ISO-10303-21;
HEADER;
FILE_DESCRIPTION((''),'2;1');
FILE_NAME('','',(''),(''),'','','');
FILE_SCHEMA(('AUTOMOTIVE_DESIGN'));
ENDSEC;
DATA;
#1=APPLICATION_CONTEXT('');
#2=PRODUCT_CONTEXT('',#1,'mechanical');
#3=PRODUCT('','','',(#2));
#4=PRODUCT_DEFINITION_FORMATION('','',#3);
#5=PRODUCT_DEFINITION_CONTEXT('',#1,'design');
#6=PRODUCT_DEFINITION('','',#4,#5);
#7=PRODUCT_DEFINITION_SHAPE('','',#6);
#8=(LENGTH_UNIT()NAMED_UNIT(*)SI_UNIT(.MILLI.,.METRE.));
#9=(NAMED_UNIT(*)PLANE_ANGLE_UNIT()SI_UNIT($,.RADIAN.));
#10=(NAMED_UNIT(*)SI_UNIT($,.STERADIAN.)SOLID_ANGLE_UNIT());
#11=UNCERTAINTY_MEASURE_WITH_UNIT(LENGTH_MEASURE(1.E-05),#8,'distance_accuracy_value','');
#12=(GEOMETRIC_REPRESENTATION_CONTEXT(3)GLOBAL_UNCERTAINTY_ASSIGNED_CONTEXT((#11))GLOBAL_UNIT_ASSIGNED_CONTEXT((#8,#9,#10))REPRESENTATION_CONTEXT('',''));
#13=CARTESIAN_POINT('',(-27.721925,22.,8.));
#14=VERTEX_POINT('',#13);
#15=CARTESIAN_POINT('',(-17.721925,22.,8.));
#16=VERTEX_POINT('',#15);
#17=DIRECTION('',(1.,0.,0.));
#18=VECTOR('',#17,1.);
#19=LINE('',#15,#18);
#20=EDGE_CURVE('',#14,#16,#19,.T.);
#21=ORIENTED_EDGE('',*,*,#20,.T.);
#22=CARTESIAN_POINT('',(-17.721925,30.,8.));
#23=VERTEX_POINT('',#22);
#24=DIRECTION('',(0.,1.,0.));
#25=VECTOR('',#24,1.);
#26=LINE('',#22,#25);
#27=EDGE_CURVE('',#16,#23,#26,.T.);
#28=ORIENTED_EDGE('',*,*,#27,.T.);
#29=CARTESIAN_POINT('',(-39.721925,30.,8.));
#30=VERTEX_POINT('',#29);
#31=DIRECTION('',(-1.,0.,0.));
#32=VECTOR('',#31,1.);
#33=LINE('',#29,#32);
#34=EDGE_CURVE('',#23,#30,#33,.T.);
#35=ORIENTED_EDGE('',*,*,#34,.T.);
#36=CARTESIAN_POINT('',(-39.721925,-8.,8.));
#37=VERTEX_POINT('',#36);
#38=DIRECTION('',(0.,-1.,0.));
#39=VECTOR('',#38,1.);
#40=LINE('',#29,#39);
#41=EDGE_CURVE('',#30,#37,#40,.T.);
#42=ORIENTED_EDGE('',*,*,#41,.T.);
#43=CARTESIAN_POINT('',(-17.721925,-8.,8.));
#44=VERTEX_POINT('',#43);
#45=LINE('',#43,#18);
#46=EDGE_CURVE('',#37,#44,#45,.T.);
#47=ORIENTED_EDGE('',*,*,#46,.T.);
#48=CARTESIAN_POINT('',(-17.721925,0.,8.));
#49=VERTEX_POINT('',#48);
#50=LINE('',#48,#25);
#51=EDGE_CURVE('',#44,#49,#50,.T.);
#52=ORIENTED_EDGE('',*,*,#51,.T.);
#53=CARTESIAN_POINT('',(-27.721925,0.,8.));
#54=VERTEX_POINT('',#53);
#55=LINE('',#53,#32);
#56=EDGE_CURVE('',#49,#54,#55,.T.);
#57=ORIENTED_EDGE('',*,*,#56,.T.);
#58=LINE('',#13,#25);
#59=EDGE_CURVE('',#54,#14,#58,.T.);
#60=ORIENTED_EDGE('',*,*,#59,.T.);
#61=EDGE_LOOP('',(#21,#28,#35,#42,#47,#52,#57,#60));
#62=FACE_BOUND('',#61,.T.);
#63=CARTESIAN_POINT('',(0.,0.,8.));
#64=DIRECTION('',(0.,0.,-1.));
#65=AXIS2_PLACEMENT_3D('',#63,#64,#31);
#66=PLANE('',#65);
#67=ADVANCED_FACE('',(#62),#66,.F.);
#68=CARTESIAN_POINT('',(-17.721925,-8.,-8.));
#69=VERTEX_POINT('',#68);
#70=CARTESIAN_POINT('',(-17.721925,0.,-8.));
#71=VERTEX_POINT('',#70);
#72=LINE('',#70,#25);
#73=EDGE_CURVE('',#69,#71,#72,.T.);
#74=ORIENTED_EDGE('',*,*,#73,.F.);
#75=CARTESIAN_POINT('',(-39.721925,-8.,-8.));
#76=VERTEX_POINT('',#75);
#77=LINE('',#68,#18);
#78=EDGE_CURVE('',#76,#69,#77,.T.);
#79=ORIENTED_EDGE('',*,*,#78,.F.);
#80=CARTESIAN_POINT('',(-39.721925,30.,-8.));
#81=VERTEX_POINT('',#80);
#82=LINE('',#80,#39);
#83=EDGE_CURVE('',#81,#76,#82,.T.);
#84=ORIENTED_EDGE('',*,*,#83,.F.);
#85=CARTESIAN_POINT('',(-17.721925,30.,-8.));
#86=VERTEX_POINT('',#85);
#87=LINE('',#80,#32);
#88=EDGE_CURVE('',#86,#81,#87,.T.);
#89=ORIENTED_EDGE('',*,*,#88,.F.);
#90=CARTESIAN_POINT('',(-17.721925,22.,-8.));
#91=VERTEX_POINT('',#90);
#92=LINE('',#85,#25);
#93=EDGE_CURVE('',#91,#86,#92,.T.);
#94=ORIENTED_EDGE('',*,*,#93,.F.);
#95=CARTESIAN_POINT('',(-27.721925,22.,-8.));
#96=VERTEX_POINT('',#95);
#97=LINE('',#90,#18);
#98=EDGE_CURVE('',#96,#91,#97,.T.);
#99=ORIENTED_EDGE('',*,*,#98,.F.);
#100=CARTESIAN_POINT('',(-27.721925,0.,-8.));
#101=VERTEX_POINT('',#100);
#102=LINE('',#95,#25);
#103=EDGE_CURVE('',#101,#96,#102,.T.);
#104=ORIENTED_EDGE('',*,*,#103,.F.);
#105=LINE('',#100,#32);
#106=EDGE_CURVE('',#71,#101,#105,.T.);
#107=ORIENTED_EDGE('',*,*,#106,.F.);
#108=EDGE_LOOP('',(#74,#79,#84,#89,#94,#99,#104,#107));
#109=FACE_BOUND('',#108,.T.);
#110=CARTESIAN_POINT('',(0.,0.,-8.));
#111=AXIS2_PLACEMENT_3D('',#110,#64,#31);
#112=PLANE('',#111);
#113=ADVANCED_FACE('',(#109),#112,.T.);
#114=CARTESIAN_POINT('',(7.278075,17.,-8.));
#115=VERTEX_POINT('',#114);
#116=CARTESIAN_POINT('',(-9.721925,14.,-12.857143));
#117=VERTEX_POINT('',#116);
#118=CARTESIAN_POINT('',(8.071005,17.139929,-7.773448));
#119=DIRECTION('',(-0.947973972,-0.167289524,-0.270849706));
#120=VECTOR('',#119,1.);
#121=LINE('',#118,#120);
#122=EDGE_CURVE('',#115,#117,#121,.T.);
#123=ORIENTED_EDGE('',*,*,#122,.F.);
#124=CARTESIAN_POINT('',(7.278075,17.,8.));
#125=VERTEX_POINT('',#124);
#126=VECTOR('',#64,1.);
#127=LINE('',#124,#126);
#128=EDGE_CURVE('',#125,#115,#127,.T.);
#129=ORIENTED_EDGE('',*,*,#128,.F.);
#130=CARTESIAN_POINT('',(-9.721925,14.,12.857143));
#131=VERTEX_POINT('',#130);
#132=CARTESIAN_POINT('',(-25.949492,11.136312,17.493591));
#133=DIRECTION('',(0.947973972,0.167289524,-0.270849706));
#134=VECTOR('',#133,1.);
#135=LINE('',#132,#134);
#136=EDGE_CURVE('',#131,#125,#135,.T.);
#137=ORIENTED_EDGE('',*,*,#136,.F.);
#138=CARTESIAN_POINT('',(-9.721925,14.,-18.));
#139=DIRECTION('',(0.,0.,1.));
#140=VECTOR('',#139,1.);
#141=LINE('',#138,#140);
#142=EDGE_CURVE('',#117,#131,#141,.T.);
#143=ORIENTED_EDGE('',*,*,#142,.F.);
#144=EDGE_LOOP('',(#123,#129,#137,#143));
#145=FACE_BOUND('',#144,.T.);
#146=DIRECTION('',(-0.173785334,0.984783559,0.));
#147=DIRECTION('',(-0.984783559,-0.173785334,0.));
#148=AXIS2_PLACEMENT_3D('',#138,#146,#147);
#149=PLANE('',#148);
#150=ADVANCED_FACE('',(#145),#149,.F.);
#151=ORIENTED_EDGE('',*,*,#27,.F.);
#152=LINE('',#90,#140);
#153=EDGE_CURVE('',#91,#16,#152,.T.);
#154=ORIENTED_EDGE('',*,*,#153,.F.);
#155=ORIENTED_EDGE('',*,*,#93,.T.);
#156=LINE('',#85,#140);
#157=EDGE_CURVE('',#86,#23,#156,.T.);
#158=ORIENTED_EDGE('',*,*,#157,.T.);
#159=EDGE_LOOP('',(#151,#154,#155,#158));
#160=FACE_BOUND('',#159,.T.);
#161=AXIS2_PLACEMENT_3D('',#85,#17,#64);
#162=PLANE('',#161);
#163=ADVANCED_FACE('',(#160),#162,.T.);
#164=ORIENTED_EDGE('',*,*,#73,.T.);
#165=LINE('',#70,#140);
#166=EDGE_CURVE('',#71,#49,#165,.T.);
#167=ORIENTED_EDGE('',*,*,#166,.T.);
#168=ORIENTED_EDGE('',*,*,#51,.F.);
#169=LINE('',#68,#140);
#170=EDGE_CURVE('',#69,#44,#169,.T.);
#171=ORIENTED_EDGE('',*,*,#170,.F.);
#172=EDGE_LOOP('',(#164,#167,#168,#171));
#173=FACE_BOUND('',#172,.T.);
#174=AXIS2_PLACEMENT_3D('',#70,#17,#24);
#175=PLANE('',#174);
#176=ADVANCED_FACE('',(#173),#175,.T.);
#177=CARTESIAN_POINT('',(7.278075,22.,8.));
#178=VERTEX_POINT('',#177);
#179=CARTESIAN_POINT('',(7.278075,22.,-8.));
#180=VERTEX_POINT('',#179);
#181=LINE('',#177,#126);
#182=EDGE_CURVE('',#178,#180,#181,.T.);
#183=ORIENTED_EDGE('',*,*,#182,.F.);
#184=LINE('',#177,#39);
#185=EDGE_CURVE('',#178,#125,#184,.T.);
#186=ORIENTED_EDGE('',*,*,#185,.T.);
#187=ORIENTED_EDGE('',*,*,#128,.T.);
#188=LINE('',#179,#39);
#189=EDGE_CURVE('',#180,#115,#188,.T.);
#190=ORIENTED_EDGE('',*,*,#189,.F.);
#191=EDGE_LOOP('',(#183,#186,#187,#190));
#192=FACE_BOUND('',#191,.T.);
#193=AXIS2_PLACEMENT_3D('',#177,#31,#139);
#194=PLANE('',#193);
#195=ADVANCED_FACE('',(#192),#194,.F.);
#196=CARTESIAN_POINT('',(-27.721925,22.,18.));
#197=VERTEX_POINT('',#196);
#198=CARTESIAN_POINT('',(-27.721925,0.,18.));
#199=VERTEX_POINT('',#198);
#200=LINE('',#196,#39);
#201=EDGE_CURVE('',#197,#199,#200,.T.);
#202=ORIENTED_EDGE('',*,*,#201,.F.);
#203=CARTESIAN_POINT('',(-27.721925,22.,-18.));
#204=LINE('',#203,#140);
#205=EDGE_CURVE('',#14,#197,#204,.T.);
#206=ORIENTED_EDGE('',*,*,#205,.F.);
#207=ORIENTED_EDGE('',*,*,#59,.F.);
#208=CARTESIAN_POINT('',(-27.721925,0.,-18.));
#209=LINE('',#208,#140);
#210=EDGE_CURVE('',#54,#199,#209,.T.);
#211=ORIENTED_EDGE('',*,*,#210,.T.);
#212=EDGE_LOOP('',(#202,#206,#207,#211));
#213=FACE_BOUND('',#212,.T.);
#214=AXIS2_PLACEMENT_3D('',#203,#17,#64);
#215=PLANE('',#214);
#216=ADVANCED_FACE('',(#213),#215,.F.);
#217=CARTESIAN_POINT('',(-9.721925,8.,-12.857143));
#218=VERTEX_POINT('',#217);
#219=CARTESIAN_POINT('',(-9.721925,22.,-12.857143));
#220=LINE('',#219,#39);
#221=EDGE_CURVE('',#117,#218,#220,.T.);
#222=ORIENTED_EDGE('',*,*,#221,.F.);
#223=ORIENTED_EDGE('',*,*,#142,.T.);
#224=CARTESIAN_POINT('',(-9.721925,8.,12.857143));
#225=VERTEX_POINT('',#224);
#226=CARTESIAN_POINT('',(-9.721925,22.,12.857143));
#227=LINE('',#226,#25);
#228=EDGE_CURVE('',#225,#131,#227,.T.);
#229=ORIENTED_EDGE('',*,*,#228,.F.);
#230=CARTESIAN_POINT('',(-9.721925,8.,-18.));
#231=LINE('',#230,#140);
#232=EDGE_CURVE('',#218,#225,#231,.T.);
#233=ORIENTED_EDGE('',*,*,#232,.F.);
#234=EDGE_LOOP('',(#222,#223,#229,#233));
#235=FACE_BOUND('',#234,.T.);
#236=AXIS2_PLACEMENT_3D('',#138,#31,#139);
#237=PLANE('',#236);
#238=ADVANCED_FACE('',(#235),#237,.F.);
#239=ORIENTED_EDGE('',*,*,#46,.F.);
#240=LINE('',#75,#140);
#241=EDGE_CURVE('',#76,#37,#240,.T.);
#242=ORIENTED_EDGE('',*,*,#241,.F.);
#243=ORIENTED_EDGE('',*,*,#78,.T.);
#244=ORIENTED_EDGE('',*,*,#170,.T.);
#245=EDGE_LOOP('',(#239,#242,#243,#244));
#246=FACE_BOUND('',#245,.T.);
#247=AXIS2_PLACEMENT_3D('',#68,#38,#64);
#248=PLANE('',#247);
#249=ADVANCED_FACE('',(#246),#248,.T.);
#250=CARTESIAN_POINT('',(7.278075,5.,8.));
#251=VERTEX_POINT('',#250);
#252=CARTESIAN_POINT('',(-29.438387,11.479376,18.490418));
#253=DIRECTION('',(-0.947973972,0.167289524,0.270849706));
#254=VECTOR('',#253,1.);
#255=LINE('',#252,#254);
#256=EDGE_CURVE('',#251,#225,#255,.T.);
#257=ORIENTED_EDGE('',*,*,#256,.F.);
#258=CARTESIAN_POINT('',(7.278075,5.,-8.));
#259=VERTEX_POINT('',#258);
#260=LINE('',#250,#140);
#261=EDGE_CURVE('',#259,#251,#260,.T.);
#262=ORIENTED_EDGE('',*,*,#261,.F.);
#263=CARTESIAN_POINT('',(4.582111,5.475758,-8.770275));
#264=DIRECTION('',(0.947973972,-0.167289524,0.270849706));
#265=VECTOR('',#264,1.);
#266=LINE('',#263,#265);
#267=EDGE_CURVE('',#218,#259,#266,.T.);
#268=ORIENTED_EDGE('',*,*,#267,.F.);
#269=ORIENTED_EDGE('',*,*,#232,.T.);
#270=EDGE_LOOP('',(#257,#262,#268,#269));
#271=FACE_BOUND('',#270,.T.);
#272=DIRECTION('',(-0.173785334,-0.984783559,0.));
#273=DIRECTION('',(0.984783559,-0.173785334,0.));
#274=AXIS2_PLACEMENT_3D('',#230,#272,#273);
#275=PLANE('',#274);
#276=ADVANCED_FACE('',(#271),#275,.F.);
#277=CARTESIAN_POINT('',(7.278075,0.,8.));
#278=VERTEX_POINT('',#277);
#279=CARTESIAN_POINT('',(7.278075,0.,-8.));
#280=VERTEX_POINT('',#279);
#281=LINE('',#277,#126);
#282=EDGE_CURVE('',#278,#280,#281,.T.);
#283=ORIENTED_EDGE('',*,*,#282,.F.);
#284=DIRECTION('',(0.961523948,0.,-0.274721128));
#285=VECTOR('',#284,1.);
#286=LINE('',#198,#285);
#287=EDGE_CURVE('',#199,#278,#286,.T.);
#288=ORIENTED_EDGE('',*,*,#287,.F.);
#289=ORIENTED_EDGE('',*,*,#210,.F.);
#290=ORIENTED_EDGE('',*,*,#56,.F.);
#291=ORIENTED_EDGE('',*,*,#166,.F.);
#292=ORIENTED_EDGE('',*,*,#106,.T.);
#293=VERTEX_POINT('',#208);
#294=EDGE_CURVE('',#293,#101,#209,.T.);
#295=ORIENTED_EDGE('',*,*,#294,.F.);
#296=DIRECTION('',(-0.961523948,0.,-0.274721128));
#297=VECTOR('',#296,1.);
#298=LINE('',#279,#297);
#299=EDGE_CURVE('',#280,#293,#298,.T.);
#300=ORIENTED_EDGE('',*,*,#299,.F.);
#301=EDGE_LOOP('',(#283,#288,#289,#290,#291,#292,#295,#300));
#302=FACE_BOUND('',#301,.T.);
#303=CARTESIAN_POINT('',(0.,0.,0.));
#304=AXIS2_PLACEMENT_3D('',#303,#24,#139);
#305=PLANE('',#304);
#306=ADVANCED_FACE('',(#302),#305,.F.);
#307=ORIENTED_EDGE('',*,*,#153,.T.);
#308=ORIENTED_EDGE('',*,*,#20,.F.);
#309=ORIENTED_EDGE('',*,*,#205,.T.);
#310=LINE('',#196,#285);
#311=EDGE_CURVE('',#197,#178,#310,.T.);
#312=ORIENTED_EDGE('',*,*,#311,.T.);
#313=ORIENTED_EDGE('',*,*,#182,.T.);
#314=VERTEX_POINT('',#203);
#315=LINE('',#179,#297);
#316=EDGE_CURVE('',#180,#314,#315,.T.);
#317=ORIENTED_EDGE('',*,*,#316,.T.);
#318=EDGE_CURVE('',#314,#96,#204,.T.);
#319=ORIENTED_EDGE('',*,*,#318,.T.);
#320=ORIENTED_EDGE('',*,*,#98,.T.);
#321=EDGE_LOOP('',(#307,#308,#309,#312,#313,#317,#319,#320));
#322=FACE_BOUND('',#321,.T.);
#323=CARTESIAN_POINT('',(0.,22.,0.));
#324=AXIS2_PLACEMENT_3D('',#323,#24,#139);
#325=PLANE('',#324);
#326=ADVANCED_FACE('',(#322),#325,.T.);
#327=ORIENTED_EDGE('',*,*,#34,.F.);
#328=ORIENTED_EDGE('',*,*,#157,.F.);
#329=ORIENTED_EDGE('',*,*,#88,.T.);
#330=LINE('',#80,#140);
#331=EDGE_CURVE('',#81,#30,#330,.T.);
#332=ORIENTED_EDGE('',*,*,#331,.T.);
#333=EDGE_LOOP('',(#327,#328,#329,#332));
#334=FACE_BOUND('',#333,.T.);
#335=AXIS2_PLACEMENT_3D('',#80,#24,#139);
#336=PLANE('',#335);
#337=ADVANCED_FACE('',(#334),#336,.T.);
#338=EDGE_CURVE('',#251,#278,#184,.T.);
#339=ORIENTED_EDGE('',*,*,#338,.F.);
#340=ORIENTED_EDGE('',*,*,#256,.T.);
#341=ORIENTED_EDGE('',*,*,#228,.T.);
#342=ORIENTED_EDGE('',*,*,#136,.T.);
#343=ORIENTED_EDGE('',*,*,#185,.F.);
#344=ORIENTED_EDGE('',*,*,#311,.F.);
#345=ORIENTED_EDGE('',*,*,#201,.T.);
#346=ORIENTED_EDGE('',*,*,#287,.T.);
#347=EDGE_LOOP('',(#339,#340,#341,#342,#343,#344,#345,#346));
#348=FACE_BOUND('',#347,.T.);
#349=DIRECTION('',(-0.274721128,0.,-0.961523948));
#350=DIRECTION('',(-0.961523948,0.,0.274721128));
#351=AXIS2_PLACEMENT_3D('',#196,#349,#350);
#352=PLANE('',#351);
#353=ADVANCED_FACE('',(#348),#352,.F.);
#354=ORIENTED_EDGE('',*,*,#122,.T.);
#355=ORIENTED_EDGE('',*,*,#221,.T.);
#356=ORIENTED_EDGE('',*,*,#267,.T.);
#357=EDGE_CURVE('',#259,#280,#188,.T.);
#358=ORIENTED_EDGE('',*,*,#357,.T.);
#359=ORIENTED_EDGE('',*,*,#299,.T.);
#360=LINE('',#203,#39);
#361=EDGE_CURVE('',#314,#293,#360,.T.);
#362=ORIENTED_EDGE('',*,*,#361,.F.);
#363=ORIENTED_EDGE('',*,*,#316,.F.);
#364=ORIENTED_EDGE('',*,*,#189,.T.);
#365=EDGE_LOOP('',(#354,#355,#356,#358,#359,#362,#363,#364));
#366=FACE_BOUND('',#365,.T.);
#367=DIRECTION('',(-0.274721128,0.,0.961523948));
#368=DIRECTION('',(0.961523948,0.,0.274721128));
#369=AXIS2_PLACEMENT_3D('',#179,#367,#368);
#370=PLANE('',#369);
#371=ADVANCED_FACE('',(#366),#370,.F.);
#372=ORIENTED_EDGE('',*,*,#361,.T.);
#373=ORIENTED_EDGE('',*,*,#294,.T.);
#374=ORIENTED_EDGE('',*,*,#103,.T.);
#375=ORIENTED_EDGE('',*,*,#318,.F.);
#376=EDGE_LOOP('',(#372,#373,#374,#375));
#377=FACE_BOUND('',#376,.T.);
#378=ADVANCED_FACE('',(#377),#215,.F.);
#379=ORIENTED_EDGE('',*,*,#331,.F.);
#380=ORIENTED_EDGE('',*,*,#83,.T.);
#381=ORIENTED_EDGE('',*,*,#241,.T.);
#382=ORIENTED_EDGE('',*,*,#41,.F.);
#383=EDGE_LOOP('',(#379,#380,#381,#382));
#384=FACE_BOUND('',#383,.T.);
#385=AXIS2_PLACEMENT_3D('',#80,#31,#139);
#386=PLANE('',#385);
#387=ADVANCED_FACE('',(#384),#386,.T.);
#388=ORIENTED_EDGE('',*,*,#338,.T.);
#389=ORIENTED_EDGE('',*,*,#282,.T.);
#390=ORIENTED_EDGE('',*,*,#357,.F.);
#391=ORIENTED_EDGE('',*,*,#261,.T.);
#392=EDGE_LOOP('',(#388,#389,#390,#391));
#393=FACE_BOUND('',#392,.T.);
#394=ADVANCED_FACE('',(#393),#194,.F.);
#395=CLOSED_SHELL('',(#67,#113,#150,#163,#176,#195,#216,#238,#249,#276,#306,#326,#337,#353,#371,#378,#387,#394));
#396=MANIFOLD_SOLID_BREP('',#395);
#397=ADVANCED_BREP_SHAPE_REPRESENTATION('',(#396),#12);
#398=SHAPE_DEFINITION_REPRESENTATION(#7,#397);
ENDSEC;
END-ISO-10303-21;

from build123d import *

# Parameters (mm, degrees)
BOSS_EXTRUDE1_DEPTH      = 22
CUT_EXTRUDE1_DEPTH       = 40.705228033
CUT_EXTRUDE1_DEPTH_BACK  = 40.705228033
BOSS_EXTRUDE2_DEPTH      = 8
BOSS_EXTRUDE2_DEPTH_BACK = 8


with BuildPart() as part:
    # Sketch1 → Boss-Extrude1 (new body)
    with BuildSketch(Plane(origin=(0, 0, 0), x_dir=(1, 0, 0), z_dir=(0, 1, 0))):
        Polygon((-27.721925134, 18), (-27.721925134, -18), (7.278074866, -8), (7.278074866, 8), align=None)
    extrude(amount=BOSS_EXTRUDE1_DEPTH)

    # Sketch2 → Cut-Extrude1 (cut, two sides: drawn at the far end of the back side and taken through both)
    with BuildSketch(Plane.XY.offset(-CUT_EXTRUDE1_DEPTH_BACK)):
        Polygon((-9.721925134, 14), (-9.721925134, 8), (7.278074866, 5), (7.278074866, 17), align=None)
    extrude(amount=CUT_EXTRUDE1_DEPTH + CUT_EXTRUDE1_DEPTH_BACK, mode=Mode.SUBTRACT)

    # Sketch3 → Boss-Extrude2 (add, two sides: drawn at the far end of the back side and taken through both)
    with BuildSketch(Plane.XY.offset(-BOSS_EXTRUDE2_DEPTH_BACK)):
        Polygon((-39.721925134, 30), (-39.721925134, -8), (-17.721925134, -8), (-17.721925134, 0), (-27.721925134, 0), (-27.721925134, 22), (-17.721925134, 22), (-17.721925134, 30), align=None)
    extrude(amount=BOSS_EXTRUDE2_DEPTH + BOSS_EXTRUDE2_DEPTH_BACK)


solid = part.part
